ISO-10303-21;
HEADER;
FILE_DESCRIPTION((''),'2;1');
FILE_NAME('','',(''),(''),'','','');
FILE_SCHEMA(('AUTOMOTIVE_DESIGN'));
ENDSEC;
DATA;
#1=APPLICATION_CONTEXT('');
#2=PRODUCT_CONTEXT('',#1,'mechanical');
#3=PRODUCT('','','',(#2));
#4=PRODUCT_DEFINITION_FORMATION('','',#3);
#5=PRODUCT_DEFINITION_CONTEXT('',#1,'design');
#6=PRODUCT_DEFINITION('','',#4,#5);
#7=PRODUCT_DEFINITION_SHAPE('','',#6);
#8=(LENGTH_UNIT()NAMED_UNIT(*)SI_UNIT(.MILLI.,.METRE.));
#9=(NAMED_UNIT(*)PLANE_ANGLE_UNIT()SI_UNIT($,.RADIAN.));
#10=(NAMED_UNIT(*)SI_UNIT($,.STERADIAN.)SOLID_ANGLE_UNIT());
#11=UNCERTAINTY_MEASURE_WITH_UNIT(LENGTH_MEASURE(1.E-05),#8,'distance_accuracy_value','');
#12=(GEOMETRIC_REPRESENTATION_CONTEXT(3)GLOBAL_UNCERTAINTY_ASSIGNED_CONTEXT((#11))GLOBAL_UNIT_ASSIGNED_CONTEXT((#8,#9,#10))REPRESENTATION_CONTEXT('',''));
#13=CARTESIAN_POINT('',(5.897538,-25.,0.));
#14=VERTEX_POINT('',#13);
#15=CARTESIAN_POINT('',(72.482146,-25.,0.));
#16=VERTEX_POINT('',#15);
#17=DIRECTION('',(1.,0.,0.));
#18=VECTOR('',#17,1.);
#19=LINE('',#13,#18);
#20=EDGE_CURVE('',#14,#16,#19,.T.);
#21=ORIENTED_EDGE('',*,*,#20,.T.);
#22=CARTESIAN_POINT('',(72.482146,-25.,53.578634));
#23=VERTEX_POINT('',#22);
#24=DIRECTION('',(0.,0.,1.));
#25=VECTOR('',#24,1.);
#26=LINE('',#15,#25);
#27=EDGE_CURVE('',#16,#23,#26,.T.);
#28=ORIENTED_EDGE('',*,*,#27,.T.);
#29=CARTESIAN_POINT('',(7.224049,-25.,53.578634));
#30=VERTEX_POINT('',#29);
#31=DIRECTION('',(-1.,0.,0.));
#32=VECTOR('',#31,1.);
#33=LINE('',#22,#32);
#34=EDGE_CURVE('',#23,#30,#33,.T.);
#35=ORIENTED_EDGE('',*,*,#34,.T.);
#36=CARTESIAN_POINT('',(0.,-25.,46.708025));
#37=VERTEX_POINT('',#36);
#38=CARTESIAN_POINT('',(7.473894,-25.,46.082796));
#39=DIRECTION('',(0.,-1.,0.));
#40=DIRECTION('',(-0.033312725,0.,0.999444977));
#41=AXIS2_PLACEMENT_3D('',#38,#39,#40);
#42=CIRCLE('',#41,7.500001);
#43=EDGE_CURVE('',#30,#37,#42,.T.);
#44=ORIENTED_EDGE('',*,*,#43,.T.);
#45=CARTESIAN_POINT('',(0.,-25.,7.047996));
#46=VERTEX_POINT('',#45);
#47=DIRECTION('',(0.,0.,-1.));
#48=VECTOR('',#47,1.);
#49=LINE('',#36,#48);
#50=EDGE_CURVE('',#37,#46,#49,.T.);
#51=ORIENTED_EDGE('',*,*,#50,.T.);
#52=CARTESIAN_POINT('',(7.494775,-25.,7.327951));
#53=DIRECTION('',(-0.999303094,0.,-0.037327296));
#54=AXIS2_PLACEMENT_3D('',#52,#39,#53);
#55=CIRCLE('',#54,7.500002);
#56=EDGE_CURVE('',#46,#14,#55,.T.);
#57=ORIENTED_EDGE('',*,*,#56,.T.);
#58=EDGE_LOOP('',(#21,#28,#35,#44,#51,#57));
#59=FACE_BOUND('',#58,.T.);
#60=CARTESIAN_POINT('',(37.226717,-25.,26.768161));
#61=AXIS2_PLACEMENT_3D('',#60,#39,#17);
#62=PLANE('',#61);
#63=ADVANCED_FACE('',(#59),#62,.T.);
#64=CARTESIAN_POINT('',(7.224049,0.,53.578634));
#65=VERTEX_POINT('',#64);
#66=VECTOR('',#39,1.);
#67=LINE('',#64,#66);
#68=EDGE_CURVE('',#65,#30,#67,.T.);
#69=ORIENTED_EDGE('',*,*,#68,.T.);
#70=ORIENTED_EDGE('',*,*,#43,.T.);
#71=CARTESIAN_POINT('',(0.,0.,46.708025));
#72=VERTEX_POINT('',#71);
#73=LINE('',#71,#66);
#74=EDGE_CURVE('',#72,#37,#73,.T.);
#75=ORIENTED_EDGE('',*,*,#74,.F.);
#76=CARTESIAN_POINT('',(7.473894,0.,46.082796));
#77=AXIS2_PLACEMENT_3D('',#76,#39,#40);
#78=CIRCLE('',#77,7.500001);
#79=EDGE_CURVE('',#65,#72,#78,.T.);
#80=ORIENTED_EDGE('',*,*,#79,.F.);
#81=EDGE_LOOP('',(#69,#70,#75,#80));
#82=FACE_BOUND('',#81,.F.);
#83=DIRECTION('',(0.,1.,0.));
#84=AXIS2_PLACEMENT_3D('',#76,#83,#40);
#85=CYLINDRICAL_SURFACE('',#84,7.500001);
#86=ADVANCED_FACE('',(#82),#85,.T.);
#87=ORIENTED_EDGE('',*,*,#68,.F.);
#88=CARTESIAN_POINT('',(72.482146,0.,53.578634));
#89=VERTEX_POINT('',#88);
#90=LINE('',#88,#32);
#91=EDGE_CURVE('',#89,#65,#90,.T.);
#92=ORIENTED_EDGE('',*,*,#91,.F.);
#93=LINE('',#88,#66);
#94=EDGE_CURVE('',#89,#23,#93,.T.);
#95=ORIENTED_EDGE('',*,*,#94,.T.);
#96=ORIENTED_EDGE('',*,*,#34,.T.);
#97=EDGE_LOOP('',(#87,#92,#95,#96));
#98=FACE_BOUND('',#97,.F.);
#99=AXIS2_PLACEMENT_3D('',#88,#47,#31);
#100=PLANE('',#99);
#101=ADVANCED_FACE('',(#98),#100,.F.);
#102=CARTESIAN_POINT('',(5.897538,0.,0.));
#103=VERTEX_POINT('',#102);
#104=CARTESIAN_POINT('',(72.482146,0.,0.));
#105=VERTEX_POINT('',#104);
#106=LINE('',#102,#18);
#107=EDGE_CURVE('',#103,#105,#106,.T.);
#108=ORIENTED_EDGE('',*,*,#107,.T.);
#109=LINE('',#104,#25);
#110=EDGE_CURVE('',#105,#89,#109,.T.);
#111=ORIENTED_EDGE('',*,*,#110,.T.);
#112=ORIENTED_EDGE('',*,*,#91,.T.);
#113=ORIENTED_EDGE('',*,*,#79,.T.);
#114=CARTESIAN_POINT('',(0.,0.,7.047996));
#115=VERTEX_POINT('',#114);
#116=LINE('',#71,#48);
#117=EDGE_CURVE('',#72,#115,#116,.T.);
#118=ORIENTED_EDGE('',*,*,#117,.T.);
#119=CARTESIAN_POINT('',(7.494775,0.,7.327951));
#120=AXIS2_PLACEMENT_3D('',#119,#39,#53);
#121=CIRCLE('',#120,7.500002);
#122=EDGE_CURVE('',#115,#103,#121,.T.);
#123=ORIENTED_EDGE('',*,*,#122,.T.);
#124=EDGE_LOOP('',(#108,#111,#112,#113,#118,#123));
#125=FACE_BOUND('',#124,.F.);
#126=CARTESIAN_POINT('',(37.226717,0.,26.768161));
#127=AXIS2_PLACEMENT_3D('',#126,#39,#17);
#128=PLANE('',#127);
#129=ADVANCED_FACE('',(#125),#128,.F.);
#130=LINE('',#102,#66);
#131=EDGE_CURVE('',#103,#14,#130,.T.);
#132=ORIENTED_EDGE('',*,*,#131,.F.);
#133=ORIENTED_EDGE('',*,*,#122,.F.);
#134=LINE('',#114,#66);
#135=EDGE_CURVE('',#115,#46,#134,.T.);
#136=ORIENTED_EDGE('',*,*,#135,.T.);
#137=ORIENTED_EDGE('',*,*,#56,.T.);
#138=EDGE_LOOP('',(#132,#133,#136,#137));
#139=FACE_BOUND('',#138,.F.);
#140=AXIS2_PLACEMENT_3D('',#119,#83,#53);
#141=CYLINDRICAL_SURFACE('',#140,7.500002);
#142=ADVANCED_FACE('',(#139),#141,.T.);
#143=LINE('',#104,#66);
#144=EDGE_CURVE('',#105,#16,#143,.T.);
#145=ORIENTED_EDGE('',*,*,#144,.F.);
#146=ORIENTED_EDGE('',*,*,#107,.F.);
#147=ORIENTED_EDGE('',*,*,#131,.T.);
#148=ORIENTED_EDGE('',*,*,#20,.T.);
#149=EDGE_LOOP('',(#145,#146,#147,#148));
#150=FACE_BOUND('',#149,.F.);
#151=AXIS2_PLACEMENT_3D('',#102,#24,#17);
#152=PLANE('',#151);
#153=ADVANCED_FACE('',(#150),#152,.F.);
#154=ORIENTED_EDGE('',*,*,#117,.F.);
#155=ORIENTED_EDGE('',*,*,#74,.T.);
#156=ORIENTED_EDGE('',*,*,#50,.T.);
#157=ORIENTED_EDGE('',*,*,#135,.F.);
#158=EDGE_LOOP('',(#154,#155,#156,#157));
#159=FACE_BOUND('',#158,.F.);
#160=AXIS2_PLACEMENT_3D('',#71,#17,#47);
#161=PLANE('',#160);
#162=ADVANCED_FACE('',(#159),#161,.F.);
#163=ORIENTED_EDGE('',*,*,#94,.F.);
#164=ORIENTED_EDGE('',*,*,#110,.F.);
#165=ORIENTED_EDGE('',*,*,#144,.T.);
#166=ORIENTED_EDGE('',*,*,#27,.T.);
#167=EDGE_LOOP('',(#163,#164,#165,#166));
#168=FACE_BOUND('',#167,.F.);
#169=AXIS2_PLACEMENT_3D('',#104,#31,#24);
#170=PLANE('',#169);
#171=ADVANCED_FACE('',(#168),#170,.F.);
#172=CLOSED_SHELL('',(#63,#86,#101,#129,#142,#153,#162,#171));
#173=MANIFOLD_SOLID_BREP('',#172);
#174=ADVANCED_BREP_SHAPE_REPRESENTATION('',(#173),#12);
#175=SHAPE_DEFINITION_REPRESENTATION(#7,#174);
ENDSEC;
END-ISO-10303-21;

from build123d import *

# Parameters (mm, degrees)
F1_DEPTH = 25


with BuildPart() as f1:
    # F0 (on Front) → F1 (new body)
    with BuildSketch(Plane.XZ):
        with BuildLine():
            Line((5.897538, 0), (9.092009, 0))
            Line((9.092009, 0), (72.482146, 0))
            Line((72.482146, 0), (72.482146, 53.578634))
            Line((72.482146, 53.578634), (7.723739, 53.578634))
            Line((7.723739, 53.578634), (7.224049, 53.578634))
            ThreePointArc((7.224049, 53.578634), (2.305204, 51.517375), (0, 46.708025))
            Line((0, 46.708025), (0, 45.457568))
            Line((0, 45.457568), (0, 7.047996))
            ThreePointArc((0, 7.047996), (1.742842, 2.514917), (5.897538, 0))
        make_face()
    extrude(amount=F1_DEPTH)


solid = f1.part
